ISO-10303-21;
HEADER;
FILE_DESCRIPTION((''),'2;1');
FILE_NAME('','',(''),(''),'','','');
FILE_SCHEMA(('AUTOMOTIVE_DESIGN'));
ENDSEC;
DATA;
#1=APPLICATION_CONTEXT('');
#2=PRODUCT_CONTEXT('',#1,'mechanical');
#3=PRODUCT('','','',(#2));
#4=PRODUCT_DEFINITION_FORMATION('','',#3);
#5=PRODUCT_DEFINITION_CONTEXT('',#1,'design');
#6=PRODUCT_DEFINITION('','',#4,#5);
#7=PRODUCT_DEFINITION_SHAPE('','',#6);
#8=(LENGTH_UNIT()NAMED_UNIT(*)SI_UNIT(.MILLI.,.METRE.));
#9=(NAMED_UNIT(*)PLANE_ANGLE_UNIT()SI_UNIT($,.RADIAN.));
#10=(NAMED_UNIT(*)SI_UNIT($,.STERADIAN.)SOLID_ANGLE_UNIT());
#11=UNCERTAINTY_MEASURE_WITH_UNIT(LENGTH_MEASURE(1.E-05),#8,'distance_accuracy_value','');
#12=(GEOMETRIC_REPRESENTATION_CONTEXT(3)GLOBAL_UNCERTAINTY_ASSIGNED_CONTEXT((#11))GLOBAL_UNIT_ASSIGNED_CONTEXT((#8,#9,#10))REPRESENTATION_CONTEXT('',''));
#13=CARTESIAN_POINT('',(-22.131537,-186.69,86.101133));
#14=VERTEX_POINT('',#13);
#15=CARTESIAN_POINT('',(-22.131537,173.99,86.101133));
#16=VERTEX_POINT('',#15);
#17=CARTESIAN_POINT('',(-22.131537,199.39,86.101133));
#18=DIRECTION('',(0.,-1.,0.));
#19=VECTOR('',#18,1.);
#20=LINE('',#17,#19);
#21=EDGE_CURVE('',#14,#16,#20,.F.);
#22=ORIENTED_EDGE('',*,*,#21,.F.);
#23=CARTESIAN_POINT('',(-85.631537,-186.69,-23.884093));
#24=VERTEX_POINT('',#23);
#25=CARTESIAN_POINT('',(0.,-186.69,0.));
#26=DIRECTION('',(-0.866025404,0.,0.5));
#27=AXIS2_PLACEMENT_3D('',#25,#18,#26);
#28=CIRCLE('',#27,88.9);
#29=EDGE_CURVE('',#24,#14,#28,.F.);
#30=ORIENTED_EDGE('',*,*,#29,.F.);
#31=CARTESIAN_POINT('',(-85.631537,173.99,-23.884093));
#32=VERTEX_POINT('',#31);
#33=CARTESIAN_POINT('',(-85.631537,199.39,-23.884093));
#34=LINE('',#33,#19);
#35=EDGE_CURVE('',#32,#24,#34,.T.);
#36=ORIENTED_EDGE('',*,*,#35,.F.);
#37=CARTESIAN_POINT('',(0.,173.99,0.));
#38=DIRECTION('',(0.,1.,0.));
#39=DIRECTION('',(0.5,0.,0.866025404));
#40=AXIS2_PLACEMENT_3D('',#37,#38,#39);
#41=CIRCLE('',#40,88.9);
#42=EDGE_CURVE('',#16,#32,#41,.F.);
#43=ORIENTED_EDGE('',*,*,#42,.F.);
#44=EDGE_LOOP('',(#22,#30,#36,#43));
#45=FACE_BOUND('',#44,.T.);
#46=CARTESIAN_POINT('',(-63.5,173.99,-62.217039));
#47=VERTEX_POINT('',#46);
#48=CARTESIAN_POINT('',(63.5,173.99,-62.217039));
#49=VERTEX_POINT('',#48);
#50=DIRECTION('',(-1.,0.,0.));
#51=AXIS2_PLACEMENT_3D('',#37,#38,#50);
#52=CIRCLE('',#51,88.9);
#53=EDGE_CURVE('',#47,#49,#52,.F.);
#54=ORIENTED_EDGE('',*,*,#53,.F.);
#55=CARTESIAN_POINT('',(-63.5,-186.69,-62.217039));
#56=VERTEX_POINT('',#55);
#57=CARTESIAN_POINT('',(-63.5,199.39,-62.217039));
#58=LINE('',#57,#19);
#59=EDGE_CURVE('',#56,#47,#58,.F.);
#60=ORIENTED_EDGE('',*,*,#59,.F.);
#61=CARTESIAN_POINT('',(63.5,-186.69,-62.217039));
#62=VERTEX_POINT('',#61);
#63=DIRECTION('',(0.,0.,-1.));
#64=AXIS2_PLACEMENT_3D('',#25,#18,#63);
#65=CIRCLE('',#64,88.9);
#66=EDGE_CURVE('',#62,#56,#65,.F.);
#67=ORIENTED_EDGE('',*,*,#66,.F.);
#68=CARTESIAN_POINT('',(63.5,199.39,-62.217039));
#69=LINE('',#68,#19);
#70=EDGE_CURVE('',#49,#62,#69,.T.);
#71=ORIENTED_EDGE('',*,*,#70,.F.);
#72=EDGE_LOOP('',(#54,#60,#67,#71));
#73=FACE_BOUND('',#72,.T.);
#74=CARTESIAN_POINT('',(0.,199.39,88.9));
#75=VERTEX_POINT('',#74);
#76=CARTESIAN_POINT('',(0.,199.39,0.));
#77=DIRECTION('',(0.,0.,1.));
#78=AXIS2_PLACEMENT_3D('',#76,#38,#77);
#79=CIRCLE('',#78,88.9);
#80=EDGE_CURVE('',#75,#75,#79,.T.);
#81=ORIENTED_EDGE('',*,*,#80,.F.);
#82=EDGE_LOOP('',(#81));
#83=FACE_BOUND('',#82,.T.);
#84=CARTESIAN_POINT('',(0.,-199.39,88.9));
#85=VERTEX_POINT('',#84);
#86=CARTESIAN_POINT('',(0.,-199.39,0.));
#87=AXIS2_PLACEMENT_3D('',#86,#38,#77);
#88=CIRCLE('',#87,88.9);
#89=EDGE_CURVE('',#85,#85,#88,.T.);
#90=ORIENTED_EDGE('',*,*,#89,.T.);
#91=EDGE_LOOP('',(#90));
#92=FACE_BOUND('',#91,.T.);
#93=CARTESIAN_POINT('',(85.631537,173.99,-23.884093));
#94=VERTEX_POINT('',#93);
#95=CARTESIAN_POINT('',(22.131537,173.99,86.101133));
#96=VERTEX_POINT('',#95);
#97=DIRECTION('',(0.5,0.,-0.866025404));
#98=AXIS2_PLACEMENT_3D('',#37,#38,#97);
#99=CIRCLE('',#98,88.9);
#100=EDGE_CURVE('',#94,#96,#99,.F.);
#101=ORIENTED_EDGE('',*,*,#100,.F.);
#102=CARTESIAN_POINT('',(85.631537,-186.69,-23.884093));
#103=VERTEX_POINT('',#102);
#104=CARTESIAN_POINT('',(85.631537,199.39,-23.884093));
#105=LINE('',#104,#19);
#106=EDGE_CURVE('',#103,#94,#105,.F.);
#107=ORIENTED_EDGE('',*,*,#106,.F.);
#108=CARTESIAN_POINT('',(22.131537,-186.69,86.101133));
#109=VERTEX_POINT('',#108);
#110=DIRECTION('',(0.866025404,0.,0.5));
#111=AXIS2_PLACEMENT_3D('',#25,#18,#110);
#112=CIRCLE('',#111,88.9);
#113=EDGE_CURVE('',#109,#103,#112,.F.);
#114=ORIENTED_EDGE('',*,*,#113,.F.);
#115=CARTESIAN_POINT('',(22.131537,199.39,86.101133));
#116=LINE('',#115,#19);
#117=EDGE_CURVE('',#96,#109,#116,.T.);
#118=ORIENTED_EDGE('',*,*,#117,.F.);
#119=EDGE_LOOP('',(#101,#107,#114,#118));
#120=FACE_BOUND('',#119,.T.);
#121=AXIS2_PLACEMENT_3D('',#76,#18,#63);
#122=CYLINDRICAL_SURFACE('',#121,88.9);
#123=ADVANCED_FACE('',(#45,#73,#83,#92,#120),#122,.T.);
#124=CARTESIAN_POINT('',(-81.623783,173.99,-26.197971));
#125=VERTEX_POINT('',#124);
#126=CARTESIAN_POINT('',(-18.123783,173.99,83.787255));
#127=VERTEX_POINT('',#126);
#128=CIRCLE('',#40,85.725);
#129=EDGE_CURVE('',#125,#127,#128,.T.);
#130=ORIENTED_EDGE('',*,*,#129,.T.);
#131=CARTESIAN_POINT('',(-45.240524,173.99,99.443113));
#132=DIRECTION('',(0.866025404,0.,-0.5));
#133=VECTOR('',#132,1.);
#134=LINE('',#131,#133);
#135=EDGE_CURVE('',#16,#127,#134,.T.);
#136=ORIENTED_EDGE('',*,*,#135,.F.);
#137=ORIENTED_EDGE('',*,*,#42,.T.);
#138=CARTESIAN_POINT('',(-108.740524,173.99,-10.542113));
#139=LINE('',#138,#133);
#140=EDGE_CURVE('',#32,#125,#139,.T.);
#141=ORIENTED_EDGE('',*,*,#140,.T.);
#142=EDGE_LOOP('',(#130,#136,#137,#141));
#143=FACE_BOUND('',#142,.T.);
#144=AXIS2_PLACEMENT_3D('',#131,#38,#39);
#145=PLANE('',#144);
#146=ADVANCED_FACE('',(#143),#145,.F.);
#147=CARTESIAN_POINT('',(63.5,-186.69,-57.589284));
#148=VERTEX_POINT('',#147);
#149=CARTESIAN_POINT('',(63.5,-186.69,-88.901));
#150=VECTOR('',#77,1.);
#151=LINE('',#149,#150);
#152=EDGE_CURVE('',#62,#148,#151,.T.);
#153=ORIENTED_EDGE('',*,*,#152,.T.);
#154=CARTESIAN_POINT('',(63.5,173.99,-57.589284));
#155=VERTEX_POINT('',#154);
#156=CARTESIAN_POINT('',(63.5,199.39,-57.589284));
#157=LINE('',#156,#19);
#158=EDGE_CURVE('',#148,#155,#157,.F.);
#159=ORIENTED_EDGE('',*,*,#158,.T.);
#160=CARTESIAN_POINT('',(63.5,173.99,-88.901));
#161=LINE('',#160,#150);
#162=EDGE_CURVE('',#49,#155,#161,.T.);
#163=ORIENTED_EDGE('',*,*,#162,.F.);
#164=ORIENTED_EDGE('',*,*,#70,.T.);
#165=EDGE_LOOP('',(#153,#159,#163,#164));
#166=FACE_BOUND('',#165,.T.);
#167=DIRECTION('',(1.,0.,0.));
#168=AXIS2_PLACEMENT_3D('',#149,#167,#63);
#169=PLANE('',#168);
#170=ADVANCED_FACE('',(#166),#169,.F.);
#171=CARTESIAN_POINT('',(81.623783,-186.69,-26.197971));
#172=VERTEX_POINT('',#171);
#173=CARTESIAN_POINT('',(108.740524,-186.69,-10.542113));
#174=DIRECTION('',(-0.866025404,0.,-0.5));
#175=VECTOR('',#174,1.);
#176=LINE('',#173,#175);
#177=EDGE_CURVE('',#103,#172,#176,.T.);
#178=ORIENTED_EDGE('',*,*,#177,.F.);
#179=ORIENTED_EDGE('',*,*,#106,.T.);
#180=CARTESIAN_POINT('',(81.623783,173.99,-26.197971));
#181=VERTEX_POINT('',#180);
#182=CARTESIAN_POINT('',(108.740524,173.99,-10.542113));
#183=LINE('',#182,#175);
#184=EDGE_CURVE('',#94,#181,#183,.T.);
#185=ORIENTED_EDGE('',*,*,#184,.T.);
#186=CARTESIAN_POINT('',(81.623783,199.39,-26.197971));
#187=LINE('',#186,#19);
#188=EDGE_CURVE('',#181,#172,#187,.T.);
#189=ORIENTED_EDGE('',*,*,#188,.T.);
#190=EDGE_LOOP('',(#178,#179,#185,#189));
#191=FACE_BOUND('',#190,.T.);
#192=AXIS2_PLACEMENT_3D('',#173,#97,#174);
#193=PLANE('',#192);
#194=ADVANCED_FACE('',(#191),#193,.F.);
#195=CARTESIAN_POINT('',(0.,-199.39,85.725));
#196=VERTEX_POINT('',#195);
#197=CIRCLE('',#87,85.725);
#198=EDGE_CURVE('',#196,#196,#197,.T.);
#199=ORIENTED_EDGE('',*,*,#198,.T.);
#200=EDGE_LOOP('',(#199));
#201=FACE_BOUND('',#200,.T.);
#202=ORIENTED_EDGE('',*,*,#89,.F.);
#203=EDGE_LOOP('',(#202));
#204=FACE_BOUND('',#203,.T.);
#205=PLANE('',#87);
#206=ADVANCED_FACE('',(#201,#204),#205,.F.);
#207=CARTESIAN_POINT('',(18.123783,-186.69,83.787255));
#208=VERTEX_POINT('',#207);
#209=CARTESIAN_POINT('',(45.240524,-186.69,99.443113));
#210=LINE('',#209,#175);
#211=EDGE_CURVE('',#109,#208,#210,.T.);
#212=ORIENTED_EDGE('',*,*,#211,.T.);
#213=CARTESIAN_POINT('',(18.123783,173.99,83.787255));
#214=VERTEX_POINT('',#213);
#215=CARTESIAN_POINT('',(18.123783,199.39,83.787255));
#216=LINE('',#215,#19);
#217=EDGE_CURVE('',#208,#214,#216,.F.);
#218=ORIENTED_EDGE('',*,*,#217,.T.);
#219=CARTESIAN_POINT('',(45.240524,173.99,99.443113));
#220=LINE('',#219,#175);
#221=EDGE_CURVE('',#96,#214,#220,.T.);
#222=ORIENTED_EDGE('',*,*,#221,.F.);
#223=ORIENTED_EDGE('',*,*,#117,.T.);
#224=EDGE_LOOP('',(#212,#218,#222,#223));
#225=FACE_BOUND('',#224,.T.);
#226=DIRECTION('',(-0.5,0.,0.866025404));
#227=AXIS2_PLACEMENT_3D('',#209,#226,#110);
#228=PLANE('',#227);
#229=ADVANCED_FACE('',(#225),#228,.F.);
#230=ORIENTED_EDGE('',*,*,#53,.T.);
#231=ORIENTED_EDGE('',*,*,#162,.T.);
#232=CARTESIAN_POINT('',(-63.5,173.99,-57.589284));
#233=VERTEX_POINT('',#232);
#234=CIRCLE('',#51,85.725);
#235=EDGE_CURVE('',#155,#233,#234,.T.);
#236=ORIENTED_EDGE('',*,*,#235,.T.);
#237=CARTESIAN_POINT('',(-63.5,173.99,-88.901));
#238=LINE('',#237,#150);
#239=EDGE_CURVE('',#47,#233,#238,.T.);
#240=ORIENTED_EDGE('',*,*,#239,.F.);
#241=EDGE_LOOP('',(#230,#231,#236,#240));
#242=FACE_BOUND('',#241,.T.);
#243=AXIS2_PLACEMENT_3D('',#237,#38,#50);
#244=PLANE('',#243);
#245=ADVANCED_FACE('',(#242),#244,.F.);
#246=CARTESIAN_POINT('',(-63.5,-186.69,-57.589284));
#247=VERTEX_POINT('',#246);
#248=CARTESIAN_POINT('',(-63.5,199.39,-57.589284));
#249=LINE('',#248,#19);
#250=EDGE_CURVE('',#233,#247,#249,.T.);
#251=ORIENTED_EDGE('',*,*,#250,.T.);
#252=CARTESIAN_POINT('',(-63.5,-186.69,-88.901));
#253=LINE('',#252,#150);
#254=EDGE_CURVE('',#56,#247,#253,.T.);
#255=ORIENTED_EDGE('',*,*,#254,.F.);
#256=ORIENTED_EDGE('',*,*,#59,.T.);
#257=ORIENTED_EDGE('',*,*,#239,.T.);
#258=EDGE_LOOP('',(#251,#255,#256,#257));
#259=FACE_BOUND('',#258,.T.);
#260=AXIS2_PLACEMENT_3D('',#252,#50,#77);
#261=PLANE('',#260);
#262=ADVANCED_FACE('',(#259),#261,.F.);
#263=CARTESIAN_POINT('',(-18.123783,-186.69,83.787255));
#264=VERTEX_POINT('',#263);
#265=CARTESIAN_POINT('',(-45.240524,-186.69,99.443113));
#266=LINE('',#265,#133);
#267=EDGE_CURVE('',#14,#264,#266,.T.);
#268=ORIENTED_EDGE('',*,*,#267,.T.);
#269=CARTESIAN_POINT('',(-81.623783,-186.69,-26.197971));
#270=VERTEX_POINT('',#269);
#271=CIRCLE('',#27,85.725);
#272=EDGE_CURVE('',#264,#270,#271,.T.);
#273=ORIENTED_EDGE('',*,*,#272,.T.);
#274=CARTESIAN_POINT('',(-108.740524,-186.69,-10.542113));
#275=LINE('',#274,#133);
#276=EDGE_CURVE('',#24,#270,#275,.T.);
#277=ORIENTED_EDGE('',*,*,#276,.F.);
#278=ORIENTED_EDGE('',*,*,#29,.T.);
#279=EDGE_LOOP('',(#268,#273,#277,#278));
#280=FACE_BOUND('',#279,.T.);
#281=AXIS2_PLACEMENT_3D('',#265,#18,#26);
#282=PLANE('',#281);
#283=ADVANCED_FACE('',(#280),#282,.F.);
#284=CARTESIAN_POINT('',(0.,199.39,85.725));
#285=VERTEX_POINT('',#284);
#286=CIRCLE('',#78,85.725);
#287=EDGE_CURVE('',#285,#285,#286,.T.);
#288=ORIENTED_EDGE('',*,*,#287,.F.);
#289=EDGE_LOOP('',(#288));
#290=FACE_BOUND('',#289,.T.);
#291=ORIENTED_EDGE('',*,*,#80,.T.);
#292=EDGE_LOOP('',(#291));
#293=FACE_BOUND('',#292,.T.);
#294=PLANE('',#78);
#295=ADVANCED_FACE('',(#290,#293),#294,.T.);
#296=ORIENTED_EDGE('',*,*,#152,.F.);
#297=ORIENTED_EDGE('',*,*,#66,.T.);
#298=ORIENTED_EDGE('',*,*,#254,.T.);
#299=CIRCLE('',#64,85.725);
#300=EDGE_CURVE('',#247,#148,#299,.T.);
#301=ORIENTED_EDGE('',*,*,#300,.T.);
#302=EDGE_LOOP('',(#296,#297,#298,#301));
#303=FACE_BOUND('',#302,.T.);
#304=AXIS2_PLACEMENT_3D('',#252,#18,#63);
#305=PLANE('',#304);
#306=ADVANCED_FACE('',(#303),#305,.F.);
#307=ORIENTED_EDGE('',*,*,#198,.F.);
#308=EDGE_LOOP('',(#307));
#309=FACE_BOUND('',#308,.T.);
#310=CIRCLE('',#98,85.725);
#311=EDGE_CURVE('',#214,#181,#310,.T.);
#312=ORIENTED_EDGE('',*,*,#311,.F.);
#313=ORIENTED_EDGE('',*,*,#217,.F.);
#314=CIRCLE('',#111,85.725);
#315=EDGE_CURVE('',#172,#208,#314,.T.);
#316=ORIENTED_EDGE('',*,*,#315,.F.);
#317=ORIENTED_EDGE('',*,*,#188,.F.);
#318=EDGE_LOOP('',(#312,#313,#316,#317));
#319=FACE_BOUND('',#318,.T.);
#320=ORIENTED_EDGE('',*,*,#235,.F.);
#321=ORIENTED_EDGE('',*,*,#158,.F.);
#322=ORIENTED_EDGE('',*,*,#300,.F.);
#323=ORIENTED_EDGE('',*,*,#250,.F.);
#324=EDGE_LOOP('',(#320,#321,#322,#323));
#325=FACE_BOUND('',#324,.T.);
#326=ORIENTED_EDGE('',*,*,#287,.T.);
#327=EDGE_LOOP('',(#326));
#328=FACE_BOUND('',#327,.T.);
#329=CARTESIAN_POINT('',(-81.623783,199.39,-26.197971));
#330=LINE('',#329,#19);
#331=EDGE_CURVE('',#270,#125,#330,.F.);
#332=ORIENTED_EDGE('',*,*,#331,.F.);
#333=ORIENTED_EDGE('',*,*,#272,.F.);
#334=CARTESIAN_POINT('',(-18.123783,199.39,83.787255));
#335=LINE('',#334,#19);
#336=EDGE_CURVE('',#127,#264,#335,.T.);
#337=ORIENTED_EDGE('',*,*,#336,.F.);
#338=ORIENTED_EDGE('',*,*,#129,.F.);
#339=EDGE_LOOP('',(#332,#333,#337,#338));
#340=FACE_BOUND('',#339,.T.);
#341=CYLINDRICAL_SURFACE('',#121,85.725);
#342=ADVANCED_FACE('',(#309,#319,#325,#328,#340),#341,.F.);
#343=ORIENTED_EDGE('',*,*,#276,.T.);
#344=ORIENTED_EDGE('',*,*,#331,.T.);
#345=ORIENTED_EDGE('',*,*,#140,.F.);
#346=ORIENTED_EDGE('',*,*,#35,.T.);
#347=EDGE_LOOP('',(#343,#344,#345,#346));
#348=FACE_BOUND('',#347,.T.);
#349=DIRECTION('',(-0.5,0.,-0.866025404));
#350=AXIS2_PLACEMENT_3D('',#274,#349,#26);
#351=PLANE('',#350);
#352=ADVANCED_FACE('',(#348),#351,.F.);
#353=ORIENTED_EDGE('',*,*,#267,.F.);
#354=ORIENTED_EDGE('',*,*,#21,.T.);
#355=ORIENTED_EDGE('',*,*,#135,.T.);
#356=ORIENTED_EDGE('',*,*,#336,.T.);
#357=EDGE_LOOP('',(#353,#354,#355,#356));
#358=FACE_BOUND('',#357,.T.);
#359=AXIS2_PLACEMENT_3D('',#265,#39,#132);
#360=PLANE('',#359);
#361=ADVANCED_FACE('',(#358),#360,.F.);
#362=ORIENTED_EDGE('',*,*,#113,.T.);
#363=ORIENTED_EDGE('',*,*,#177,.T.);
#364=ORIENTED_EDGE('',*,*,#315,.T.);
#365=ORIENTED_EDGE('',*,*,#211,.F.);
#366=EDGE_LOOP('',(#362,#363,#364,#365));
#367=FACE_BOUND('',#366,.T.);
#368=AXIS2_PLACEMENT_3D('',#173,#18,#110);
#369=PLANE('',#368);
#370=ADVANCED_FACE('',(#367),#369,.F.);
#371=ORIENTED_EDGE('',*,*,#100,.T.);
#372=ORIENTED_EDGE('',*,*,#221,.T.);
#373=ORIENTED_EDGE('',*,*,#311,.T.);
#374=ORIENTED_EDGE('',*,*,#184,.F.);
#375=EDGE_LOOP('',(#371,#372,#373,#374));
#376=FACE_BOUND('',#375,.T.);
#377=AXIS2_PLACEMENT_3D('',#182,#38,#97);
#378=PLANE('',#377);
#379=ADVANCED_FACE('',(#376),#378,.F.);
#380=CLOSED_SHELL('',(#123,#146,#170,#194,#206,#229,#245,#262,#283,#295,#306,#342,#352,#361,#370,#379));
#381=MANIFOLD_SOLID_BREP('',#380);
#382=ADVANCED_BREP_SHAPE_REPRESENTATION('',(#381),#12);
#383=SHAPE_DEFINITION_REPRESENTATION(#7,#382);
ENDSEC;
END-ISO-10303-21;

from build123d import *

# Parameters (mm, degrees)
SKETCH1_R               = 88.9
SKETCH1_R_2             = 85.725
BOSS_EXTRUDE1_DEPTH     = 199.39
CUT_EXTRUDE1_REACH      = 237.718
CUT_EXTRUDE1_END_RADIUS = 88.9
SKETCH2_W               = 127
SKETCH2_H               = 360.68
CIRPATTERN1_COUNT       = 3


with BuildPart() as part:
    # Sketch1 → Boss-Extrude1 (new, symmetric)
    with BuildSketch(Plane(origin=(0, 0, 0), x_dir=(1, 0, 0), z_dir=(0, 1, 0))):
        with Locations(Location((0, 0, 0), (0, 0, 270))):
            Circle(SKETCH1_R)
        with Locations(Location((0, 0, 0), (0, 0, 270))):
            Circle(SKETCH1_R_2, mode=Mode.SUBTRACT)
    extrude(amount=BOSS_EXTRUDE1_DEPTH, both=True)

    # Cut-Extrude1: up to this cylinder (the profile starts inside it)
    cut_extrude1_end = Plane(origin=(0, -6.35, 0), z_dir=(0, -1, 0)) * Cylinder(CUT_EXTRUDE1_END_RADIUS, 654.236, mode=Mode.PRIVATE)
    # Sketch2 → Cut-Extrude1 (cut, up to the surface)
    with BuildSketch(Plane.XY, mode=Mode.PRIVATE) as cut_extrude1_sk1:
        with Locations((0, -6.35)):
            Rectangle(SKETCH2_W, SKETCH2_H)
    cut_extrude1_tool1 = extrude(cut_extrude1_sk1.sketch, amount=-CUT_EXTRUDE1_REACH, mode=Mode.PRIVATE) & cut_extrude1_end
    cut_extrude1 = cut_extrude1_tool1.solids().sort_by_distance((0, -6.35, 0))[0]
    add(cut_extrude1, mode=Mode.SUBTRACT)

    # CirPattern1: Cut-Extrude1 ×3 about axis
    cirpattern1_axis = Axis((0, 0, 0), (0, 1, 0))
    for i in range(1, CIRPATTERN1_COUNT):
        add(cut_extrude1.rotate(cirpattern1_axis, i * 360 / CIRPATTERN1_COUNT), mode=Mode.SUBTRACT)


solid = part.part
